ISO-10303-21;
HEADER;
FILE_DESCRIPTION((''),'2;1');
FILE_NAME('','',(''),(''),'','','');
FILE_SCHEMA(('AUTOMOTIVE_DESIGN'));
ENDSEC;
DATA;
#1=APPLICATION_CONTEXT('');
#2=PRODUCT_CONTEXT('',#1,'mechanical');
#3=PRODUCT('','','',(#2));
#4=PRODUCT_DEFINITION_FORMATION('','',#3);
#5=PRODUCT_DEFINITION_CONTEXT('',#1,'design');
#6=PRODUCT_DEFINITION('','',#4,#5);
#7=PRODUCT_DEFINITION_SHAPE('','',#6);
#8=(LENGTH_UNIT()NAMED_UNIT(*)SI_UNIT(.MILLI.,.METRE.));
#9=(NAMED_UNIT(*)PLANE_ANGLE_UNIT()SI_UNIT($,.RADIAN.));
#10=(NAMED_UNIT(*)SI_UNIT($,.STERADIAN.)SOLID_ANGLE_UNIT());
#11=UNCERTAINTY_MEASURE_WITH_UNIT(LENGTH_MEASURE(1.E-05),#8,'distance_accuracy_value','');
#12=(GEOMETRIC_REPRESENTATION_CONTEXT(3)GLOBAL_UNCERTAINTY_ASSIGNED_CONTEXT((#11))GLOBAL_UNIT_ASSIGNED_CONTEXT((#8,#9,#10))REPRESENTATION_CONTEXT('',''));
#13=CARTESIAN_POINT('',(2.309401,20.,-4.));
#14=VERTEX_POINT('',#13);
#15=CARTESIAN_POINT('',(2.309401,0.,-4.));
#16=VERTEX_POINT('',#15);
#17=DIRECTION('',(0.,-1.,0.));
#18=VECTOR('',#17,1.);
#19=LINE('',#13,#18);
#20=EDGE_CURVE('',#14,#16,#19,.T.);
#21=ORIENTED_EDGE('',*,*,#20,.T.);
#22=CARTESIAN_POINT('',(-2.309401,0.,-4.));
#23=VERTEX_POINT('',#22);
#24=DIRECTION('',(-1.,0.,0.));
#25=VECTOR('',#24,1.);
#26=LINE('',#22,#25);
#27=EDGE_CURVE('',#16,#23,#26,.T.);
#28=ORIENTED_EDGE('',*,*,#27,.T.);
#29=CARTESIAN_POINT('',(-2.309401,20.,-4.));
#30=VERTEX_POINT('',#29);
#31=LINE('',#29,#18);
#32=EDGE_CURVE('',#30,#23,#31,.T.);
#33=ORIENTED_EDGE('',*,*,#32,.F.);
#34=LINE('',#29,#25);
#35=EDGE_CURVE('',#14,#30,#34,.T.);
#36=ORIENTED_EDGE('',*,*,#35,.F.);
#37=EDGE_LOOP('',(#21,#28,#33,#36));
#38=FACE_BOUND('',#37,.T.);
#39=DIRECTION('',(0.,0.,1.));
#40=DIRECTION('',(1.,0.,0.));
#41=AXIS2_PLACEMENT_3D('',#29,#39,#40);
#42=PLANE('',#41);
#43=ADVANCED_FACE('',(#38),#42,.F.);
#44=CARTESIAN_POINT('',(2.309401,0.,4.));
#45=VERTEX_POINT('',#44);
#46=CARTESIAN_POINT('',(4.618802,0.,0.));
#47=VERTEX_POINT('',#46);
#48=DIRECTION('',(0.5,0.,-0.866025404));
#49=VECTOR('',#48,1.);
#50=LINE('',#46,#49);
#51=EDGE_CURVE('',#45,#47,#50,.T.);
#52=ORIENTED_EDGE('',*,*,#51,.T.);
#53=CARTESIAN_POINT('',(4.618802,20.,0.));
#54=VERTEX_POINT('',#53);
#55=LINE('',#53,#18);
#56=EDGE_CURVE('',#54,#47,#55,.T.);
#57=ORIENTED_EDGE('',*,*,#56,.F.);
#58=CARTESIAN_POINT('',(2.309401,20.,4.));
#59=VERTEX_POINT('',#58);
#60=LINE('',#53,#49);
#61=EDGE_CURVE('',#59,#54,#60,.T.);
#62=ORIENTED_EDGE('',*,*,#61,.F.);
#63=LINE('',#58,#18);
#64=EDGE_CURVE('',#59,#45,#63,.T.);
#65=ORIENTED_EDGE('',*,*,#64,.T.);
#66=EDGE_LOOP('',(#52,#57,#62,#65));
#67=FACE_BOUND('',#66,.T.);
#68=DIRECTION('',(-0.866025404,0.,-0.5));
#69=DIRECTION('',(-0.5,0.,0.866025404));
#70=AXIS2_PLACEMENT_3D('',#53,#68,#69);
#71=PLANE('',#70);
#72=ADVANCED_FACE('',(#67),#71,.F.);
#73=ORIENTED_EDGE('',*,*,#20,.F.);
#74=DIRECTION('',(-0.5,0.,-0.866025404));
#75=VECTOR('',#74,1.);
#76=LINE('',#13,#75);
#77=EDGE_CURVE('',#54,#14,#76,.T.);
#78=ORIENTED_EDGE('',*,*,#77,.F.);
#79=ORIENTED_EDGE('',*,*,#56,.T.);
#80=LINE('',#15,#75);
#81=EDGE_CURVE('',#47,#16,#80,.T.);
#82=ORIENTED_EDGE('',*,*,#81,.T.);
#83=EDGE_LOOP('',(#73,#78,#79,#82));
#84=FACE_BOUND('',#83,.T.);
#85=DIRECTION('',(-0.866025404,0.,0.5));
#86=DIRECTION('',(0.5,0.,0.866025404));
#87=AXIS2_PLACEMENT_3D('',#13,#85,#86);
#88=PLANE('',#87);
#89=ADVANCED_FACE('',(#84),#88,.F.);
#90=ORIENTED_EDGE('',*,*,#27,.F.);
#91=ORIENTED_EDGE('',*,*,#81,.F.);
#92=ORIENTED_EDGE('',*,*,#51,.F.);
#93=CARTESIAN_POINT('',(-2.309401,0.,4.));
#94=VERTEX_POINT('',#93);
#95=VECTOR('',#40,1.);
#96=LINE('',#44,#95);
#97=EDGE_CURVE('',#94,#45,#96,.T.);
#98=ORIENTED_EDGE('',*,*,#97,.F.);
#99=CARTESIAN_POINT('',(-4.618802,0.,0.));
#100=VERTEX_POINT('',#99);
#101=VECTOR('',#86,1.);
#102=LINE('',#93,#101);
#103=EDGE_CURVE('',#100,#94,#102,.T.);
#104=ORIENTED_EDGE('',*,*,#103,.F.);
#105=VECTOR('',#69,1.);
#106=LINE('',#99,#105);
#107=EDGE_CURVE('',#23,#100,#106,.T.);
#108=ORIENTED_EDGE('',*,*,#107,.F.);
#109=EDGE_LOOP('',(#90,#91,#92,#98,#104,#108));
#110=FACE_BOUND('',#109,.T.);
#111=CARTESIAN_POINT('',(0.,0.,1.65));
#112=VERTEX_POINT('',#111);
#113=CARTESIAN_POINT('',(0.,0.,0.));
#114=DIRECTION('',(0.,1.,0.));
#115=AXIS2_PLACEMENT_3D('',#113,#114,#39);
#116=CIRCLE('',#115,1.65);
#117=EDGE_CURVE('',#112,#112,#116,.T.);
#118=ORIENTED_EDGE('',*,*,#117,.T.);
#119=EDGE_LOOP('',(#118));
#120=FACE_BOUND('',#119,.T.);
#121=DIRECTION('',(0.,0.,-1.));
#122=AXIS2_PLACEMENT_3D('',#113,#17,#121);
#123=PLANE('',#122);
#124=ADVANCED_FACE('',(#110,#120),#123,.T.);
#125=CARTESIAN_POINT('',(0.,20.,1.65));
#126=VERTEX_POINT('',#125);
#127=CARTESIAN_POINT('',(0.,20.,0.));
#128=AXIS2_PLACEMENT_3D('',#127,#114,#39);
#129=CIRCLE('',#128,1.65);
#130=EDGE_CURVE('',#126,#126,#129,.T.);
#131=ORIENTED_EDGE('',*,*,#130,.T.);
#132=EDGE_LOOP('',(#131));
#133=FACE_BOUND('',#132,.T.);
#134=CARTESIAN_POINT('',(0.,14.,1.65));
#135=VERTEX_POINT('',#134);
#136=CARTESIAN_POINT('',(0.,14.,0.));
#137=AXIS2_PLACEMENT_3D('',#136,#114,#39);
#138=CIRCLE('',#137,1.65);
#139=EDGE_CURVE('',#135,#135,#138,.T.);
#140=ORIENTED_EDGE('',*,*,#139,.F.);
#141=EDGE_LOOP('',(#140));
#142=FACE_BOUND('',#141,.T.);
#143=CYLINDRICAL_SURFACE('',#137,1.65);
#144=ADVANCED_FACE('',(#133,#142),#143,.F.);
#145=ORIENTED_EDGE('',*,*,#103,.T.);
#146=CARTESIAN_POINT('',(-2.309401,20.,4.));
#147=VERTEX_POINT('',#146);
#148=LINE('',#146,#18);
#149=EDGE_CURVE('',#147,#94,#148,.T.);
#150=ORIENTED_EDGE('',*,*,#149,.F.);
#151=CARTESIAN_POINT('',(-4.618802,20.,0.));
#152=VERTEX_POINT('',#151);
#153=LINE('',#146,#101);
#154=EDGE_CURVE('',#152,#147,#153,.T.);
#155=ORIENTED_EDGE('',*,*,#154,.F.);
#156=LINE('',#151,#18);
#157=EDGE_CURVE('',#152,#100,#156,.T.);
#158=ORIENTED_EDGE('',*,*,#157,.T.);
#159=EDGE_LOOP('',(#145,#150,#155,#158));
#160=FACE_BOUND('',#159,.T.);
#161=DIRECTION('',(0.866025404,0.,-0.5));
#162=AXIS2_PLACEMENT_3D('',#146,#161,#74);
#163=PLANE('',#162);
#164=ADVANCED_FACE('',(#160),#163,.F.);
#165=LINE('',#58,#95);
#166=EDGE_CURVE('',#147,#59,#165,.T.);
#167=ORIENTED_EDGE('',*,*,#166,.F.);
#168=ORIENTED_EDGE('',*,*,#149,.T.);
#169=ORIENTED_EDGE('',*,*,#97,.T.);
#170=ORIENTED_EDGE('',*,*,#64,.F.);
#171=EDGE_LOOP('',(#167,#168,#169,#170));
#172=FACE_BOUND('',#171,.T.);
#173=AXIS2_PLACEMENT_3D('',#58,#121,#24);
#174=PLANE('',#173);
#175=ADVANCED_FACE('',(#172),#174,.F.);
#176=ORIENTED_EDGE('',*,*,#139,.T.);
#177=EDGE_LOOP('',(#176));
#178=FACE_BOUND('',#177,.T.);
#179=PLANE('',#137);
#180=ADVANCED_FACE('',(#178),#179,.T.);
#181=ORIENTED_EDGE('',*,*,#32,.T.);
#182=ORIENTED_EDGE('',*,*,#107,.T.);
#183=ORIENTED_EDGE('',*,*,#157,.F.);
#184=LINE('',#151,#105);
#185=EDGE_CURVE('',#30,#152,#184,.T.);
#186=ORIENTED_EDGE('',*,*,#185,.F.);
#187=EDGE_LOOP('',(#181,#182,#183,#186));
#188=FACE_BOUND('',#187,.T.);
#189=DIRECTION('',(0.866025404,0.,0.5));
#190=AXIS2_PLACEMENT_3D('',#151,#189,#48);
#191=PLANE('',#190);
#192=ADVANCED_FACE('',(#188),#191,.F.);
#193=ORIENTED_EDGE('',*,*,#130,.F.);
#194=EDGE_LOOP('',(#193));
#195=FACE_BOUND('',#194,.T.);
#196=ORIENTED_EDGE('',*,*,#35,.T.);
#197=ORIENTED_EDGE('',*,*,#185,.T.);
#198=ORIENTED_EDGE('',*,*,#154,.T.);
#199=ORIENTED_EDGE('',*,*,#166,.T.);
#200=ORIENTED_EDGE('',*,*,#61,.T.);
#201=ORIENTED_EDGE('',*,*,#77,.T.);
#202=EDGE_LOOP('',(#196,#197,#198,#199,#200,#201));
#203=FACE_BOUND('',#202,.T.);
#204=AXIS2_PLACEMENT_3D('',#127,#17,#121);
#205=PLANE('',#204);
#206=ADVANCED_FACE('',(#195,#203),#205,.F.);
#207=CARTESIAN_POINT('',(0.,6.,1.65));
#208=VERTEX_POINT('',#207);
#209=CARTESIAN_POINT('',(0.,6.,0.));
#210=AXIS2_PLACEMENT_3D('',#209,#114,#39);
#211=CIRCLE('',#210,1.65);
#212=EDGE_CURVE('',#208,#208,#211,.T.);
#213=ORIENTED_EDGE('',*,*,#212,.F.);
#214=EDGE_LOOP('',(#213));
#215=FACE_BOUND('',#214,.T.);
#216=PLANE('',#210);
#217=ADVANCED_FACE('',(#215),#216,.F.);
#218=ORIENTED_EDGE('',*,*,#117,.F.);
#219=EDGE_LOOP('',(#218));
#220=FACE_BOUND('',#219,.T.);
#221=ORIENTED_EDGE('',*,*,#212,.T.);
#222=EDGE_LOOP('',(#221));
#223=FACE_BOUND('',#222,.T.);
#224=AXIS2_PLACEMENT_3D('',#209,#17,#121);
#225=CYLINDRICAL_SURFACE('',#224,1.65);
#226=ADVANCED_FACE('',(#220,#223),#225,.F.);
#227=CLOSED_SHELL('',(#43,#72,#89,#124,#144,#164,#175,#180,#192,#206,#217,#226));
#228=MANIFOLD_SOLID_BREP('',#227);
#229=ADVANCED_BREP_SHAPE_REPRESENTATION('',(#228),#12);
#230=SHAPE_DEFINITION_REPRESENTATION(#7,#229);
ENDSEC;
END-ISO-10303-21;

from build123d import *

# Parameters (mm, degrees)
EXTRUDE_1_DEPTH     = 20
SKETCH_2_R          = 1.65
CUT_EXTRUDE_1_DEPTH = 6
CUT_EXTRUDE_START   = -6
SKETCH_3_R          = 1.65
CUT_EXTRUDE_2_DEPTH = 6


with BuildPart() as part:
    # 草图1 → 凸台-拉伸1 (new body)
    with BuildSketch(Plane(origin=(0, 0, 0), x_dir=(1, 0, 0), z_dir=(0, 1, 0))):
        Polygon((4.618802154, 0), (2.309401077, -4), (-2.309401077, -4), (-4.618802154, 0), (-2.309401077, 4), (2.309401077, 4), align=None)
    extrude(amount=EXTRUDE_1_DEPTH)

    # 草图2 → 切除-拉伸1 (cut)
    with BuildSketch(Plane(origin=(0, 0, 0), x_dir=(1, 0, 0), z_dir=(0, 1, 0))):
        with Locations(Location((0, 0, 0), (0, 0, 270))):
            Circle(SKETCH_2_R)
    extrude(amount=CUT_EXTRUDE_1_DEPTH, mode=Mode.SUBTRACT)

    # 草图3 → 切除-拉伸2 (cut)
    with BuildSketch(Plane(origin=(0, 20, 0), x_dir=(1, 0, 0), z_dir=(0, 1, 0)).offset(CUT_EXTRUDE_START)):
        with Locations(Location((0, 0, 0), (0, 0, 270))):
            Circle(SKETCH_3_R)
    extrude(amount=CUT_EXTRUDE_2_DEPTH, mode=Mode.SUBTRACT)


solid = part.part
